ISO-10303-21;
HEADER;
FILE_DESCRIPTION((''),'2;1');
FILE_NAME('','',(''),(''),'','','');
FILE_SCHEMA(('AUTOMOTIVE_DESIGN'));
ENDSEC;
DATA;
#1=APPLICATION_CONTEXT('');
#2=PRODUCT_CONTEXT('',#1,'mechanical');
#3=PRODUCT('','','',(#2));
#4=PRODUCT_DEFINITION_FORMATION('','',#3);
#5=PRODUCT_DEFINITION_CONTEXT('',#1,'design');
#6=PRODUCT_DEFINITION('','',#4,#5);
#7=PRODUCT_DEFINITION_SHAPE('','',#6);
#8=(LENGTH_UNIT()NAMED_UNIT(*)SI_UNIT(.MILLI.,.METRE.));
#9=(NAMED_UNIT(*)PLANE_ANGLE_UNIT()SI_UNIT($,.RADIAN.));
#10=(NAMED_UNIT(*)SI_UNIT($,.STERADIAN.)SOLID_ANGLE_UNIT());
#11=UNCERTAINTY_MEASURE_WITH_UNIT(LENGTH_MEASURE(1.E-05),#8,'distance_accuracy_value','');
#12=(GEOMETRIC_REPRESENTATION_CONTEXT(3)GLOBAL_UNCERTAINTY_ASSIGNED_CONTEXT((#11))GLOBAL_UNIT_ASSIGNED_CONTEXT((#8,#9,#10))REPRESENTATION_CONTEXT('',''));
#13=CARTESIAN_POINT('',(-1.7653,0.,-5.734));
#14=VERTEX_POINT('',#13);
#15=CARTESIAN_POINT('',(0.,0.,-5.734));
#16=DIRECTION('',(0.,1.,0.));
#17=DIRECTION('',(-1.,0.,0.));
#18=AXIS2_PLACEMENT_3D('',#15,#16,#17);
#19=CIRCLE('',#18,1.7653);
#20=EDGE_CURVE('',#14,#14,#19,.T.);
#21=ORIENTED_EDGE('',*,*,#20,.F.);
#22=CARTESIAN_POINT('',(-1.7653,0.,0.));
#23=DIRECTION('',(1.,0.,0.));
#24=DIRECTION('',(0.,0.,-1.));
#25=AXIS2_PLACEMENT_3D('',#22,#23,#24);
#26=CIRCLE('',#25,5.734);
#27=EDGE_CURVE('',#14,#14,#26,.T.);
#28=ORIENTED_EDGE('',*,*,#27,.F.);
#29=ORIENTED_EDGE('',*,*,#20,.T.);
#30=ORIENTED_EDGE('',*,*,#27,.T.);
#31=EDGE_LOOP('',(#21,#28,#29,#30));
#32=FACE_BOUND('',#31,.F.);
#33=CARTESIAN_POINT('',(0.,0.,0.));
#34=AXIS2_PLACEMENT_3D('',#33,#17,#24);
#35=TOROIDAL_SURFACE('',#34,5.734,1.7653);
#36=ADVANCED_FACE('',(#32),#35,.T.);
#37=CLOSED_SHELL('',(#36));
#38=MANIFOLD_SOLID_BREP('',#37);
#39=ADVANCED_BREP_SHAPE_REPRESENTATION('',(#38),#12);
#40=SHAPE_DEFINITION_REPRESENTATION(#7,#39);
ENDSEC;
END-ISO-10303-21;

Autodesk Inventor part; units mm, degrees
ref_plane "YZ Plane" through (0, 0, 0) normal (1, 0, 0) x (0, 1, 0)
ref_plane "XZ Plane" through (0, 0, 0) normal (0, 1, 0) x (-1, 0, 0)
ref_plane "XY Plane" through (0, 0, 0) normal (0, 0, 1) x (1, 0, 0)
sketch "Sketch1" plane through (0, 0, 0) normal (0, 1, 0) x (-1, 0, 0)
  circle A0 centre (0, -5.734) radius 1.7653
  line L0 (0, -5.734) -> (0, -3.9688) construction
  line L1 (2.4714, 0) -> (-2.4714, 0) projected
  point P0 (0, 0)
  dimension "d1" = 3.5306
  dimension "d2" = 3.9688
revolve "Revolution1" add sketch "Sketch1" angle 360 about axis through (-10, 0, 0) along (1, 0, 0)
properties part number "High-Temperature Silicone O-Ring(1283N198)"
